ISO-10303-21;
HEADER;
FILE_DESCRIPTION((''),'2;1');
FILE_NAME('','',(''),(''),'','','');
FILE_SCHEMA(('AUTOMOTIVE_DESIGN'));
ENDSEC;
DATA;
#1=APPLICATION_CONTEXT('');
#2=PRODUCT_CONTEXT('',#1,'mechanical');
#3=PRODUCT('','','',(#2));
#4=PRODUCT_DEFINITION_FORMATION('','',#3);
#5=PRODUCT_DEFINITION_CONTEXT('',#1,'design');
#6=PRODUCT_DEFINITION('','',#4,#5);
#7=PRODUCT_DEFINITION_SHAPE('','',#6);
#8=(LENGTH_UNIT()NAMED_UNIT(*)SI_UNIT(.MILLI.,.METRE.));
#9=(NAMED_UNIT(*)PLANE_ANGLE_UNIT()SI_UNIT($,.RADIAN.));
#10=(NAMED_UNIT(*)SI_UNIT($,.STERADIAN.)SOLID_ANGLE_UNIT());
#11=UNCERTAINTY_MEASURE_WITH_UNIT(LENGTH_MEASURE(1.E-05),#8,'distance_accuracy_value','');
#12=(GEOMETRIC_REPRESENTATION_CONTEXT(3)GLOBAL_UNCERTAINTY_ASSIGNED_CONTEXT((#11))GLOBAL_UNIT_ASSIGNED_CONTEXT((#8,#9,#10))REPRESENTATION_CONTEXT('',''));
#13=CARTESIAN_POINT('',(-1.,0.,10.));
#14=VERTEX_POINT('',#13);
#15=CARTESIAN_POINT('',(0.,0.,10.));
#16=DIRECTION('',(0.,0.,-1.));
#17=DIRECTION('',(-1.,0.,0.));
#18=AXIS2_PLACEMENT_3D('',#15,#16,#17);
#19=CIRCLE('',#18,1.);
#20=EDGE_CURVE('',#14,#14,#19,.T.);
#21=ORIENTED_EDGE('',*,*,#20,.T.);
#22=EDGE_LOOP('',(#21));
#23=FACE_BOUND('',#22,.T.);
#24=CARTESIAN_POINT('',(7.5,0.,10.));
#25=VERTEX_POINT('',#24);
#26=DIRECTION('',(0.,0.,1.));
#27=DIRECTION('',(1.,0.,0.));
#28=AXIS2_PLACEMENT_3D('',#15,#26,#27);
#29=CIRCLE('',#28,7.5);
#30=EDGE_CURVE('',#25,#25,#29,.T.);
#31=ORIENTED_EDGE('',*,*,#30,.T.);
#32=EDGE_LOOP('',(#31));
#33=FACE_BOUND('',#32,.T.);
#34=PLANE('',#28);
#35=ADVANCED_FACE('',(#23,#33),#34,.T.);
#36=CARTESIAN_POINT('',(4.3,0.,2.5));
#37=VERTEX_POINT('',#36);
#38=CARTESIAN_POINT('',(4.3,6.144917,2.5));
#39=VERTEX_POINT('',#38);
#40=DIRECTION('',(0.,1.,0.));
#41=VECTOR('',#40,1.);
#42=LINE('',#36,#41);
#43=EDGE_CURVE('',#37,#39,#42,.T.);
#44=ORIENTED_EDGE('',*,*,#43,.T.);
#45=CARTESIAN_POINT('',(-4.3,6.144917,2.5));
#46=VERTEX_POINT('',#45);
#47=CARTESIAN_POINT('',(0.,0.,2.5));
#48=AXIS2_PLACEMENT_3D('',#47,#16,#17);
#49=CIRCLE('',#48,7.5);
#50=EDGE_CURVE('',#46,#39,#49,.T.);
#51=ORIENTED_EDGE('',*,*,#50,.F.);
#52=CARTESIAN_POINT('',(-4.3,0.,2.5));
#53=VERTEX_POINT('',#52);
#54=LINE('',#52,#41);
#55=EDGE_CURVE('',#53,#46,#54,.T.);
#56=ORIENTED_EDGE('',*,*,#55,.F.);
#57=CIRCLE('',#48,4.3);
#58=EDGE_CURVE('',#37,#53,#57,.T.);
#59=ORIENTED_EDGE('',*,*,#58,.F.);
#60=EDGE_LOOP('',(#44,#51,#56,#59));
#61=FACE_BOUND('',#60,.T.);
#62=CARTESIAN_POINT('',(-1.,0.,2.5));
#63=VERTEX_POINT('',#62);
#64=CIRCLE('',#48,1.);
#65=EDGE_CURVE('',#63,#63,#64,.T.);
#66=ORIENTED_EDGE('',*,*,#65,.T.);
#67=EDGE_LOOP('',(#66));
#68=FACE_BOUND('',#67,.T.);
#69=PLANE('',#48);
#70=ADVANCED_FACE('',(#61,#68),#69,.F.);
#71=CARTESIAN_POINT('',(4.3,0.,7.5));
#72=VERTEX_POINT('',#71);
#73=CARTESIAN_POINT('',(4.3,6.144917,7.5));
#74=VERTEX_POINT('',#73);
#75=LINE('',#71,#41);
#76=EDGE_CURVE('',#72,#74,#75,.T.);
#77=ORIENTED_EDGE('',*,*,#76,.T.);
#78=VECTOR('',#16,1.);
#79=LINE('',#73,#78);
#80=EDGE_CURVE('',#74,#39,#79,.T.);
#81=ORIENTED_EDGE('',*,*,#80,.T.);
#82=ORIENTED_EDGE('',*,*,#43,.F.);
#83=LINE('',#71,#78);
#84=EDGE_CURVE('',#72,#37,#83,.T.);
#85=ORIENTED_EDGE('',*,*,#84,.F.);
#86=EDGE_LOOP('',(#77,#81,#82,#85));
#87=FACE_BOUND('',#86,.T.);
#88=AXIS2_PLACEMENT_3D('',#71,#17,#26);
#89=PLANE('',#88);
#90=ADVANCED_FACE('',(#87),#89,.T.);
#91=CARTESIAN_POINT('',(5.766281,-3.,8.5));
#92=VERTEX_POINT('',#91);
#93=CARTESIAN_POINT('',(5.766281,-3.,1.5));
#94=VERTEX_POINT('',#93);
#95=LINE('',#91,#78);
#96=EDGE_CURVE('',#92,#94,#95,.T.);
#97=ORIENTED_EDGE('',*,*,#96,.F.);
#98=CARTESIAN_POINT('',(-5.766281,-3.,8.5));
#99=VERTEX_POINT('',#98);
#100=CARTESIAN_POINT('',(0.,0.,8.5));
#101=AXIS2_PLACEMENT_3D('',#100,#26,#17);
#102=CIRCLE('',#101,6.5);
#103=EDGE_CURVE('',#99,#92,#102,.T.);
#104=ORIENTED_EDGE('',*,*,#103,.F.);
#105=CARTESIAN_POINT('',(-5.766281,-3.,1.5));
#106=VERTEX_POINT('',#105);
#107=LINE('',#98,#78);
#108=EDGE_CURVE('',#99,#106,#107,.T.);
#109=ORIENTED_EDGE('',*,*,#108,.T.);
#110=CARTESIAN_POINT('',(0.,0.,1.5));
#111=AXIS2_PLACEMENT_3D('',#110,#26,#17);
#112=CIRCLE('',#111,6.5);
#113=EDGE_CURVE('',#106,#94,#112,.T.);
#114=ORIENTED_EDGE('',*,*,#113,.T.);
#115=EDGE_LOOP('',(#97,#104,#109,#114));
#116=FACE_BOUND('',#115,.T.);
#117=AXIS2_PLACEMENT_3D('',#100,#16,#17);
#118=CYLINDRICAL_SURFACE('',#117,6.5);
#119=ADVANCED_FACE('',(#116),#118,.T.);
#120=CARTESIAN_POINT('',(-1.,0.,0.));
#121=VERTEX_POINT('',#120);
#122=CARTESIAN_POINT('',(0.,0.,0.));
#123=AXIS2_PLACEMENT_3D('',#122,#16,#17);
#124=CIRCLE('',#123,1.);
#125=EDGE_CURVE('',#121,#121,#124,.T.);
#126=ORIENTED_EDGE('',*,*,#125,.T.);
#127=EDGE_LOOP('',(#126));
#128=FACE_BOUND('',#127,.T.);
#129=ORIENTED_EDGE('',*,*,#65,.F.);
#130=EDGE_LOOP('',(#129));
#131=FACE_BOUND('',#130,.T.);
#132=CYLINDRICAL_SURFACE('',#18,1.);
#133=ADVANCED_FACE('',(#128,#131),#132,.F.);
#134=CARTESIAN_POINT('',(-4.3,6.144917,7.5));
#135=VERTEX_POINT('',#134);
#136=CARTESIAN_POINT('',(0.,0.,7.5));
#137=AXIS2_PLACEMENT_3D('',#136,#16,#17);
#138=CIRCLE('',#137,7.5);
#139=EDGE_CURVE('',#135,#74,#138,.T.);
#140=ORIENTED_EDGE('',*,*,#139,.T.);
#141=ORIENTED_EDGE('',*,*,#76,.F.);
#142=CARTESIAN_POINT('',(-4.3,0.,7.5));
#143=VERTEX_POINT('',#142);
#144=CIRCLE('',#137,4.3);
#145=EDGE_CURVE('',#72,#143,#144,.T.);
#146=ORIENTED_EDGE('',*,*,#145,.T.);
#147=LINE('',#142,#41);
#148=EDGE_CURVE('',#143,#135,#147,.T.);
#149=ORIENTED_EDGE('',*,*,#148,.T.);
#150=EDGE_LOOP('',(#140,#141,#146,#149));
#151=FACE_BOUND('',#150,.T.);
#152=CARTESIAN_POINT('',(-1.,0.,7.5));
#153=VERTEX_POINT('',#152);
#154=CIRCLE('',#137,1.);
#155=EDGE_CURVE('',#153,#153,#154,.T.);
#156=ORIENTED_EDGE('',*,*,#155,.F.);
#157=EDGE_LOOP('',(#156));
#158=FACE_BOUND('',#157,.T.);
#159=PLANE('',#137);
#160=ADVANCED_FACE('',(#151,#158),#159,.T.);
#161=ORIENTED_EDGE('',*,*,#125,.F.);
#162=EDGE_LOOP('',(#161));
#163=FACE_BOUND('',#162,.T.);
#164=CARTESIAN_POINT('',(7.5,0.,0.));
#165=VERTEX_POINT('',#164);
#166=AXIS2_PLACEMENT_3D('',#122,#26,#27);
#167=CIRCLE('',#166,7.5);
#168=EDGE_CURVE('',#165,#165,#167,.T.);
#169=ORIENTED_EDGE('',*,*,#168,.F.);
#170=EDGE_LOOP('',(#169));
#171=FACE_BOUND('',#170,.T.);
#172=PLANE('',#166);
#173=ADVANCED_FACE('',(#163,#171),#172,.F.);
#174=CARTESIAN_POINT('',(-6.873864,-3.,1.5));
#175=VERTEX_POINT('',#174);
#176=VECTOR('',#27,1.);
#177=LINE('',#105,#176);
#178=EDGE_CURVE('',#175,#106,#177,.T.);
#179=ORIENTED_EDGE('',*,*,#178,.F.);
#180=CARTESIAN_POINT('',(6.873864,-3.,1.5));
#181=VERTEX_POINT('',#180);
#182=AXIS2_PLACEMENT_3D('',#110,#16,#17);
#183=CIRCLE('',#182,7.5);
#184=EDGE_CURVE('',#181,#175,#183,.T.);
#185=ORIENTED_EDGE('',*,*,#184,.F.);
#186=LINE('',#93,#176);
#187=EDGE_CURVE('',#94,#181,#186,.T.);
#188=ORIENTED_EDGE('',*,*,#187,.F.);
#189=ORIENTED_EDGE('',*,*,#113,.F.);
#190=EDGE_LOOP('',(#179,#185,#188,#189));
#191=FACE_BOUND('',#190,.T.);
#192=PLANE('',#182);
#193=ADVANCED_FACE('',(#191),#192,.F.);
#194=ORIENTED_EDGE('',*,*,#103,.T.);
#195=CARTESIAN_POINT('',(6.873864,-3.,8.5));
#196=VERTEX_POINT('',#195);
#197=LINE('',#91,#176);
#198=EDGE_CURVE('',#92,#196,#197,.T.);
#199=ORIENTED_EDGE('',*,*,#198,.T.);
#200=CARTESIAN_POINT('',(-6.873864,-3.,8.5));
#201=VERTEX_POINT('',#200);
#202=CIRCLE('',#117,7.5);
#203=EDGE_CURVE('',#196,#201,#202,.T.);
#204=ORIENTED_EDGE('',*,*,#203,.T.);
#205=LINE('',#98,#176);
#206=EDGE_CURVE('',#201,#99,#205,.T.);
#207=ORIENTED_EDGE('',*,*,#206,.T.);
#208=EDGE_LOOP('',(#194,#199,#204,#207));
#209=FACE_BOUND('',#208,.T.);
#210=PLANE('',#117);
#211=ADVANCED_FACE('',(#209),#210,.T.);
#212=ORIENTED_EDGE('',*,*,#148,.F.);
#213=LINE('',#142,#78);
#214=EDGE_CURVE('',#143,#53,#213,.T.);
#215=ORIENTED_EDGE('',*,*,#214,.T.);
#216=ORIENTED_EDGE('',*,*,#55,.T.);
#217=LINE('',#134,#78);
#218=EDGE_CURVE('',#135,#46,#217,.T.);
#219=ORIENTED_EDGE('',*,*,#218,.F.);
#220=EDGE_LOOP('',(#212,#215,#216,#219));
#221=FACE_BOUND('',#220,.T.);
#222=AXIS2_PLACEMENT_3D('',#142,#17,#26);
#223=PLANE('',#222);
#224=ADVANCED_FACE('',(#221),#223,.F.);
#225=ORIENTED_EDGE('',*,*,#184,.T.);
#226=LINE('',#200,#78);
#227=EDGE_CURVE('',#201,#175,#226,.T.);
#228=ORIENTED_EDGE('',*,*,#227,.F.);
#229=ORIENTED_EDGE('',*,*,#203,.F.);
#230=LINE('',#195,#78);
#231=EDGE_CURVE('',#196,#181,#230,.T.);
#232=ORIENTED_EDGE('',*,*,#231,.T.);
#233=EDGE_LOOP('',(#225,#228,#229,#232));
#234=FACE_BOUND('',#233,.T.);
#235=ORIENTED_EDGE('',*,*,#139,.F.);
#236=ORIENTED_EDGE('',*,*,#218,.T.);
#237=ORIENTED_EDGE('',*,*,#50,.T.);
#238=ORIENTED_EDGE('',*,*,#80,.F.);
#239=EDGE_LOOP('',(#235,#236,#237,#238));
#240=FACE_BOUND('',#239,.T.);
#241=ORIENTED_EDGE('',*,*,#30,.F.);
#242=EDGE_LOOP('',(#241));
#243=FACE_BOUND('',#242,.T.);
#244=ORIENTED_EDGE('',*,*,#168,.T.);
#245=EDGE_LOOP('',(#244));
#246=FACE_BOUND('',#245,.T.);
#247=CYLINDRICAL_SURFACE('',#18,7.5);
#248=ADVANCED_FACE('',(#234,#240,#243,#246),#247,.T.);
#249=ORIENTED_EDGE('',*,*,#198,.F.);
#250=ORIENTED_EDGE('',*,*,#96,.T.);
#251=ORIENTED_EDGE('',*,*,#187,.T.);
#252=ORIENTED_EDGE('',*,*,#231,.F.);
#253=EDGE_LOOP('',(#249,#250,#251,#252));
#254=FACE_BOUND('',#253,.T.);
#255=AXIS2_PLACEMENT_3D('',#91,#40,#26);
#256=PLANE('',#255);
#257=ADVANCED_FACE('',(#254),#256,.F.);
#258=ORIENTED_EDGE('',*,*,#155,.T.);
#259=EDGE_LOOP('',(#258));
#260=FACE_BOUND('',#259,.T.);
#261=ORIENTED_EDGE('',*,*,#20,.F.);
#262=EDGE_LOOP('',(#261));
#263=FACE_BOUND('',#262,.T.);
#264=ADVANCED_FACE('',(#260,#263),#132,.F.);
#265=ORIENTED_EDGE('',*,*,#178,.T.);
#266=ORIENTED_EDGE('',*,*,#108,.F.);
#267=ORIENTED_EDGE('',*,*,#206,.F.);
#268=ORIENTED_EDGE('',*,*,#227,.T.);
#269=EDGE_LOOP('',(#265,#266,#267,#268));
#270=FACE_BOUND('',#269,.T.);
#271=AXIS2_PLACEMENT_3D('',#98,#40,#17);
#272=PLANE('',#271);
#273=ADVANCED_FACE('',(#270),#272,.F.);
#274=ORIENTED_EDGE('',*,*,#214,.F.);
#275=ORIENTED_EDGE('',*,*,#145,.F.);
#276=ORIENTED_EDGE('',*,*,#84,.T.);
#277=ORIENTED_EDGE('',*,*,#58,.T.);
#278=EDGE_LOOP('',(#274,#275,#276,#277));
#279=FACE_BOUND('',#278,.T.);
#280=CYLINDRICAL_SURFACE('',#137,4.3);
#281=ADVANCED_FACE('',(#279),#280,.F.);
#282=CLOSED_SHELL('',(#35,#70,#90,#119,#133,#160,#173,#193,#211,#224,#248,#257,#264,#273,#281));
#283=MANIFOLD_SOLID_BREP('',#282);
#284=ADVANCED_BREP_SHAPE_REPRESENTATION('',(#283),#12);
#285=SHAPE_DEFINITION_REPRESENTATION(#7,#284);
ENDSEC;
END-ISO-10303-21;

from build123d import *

# Parameters (mm, degrees)
SKETCH_1_R          = 7.5
EXTRUDE_1_DEPTH     = 10
CUT_EXTRUDE_1_DEPTH = 5
SKETCH_3_R          = 1
CUT_EXTRUDE_2_DEPTH = 15.577379737
CUT_EXTRUDE_3_DEPTH = 7


with BuildPart() as part:
    # 草图1 → 凸台-拉伸1 (new body)
    with BuildSketch(Plane.XY):
        Circle(SKETCH_1_R)
    extrude(amount=EXTRUDE_1_DEPTH)

    # 草图2 → 切除-拉伸1 (cut)
    with BuildSketch(Plane(origin=(0, 0, 2.5), x_dir=(-1, 0, 0), z_dir=(0, 0, -1))):
        with BuildLine():
            Line((-4.3, 0), (-4.3, 6.144916598))
            ThreePointArc((-4.3, 6.144916598), (0, 7.5), (4.3, 6.144916598))
            Line((4.3, 6.144916598), (4.3, 0))
            ThreePointArc((4.3, 0), (0, -4.3), (-4.3, 0))
        make_face()
    extrude(amount=-CUT_EXTRUDE_1_DEPTH, mode=Mode.SUBTRACT)

    # 草图3 → 切除-拉伸2 (cut, through all)
    with BuildSketch(Plane(origin=(0, 0, 0), x_dir=(-1, 0, 0), z_dir=(0, 0, -1))):
        Circle(SKETCH_3_R)
    extrude(amount=-CUT_EXTRUDE_2_DEPTH, mode=Mode.SUBTRACT)

    # 草图5 → 切除-拉伸3 (cut)
    with BuildSketch(Plane(origin=(0, 0, 1.5), x_dir=(-1, 0, 0), z_dir=(0, 0, -1))):
        with BuildLine():
            Line((-5.766281297, -3), (-6.873863542, -3))
            ThreePointArc((-6.873863542, -3), (0, -7.5), (6.873863542, -3))
            Line((6.873863542, -3), (5.766281297, -3))
            ThreePointArc((5.766281297, -3), (0, -6.5), (-5.766281297, -3))
        make_face()
    extrude(amount=-CUT_EXTRUDE_3_DEPTH, mode=Mode.SUBTRACT)


solid = part.part
